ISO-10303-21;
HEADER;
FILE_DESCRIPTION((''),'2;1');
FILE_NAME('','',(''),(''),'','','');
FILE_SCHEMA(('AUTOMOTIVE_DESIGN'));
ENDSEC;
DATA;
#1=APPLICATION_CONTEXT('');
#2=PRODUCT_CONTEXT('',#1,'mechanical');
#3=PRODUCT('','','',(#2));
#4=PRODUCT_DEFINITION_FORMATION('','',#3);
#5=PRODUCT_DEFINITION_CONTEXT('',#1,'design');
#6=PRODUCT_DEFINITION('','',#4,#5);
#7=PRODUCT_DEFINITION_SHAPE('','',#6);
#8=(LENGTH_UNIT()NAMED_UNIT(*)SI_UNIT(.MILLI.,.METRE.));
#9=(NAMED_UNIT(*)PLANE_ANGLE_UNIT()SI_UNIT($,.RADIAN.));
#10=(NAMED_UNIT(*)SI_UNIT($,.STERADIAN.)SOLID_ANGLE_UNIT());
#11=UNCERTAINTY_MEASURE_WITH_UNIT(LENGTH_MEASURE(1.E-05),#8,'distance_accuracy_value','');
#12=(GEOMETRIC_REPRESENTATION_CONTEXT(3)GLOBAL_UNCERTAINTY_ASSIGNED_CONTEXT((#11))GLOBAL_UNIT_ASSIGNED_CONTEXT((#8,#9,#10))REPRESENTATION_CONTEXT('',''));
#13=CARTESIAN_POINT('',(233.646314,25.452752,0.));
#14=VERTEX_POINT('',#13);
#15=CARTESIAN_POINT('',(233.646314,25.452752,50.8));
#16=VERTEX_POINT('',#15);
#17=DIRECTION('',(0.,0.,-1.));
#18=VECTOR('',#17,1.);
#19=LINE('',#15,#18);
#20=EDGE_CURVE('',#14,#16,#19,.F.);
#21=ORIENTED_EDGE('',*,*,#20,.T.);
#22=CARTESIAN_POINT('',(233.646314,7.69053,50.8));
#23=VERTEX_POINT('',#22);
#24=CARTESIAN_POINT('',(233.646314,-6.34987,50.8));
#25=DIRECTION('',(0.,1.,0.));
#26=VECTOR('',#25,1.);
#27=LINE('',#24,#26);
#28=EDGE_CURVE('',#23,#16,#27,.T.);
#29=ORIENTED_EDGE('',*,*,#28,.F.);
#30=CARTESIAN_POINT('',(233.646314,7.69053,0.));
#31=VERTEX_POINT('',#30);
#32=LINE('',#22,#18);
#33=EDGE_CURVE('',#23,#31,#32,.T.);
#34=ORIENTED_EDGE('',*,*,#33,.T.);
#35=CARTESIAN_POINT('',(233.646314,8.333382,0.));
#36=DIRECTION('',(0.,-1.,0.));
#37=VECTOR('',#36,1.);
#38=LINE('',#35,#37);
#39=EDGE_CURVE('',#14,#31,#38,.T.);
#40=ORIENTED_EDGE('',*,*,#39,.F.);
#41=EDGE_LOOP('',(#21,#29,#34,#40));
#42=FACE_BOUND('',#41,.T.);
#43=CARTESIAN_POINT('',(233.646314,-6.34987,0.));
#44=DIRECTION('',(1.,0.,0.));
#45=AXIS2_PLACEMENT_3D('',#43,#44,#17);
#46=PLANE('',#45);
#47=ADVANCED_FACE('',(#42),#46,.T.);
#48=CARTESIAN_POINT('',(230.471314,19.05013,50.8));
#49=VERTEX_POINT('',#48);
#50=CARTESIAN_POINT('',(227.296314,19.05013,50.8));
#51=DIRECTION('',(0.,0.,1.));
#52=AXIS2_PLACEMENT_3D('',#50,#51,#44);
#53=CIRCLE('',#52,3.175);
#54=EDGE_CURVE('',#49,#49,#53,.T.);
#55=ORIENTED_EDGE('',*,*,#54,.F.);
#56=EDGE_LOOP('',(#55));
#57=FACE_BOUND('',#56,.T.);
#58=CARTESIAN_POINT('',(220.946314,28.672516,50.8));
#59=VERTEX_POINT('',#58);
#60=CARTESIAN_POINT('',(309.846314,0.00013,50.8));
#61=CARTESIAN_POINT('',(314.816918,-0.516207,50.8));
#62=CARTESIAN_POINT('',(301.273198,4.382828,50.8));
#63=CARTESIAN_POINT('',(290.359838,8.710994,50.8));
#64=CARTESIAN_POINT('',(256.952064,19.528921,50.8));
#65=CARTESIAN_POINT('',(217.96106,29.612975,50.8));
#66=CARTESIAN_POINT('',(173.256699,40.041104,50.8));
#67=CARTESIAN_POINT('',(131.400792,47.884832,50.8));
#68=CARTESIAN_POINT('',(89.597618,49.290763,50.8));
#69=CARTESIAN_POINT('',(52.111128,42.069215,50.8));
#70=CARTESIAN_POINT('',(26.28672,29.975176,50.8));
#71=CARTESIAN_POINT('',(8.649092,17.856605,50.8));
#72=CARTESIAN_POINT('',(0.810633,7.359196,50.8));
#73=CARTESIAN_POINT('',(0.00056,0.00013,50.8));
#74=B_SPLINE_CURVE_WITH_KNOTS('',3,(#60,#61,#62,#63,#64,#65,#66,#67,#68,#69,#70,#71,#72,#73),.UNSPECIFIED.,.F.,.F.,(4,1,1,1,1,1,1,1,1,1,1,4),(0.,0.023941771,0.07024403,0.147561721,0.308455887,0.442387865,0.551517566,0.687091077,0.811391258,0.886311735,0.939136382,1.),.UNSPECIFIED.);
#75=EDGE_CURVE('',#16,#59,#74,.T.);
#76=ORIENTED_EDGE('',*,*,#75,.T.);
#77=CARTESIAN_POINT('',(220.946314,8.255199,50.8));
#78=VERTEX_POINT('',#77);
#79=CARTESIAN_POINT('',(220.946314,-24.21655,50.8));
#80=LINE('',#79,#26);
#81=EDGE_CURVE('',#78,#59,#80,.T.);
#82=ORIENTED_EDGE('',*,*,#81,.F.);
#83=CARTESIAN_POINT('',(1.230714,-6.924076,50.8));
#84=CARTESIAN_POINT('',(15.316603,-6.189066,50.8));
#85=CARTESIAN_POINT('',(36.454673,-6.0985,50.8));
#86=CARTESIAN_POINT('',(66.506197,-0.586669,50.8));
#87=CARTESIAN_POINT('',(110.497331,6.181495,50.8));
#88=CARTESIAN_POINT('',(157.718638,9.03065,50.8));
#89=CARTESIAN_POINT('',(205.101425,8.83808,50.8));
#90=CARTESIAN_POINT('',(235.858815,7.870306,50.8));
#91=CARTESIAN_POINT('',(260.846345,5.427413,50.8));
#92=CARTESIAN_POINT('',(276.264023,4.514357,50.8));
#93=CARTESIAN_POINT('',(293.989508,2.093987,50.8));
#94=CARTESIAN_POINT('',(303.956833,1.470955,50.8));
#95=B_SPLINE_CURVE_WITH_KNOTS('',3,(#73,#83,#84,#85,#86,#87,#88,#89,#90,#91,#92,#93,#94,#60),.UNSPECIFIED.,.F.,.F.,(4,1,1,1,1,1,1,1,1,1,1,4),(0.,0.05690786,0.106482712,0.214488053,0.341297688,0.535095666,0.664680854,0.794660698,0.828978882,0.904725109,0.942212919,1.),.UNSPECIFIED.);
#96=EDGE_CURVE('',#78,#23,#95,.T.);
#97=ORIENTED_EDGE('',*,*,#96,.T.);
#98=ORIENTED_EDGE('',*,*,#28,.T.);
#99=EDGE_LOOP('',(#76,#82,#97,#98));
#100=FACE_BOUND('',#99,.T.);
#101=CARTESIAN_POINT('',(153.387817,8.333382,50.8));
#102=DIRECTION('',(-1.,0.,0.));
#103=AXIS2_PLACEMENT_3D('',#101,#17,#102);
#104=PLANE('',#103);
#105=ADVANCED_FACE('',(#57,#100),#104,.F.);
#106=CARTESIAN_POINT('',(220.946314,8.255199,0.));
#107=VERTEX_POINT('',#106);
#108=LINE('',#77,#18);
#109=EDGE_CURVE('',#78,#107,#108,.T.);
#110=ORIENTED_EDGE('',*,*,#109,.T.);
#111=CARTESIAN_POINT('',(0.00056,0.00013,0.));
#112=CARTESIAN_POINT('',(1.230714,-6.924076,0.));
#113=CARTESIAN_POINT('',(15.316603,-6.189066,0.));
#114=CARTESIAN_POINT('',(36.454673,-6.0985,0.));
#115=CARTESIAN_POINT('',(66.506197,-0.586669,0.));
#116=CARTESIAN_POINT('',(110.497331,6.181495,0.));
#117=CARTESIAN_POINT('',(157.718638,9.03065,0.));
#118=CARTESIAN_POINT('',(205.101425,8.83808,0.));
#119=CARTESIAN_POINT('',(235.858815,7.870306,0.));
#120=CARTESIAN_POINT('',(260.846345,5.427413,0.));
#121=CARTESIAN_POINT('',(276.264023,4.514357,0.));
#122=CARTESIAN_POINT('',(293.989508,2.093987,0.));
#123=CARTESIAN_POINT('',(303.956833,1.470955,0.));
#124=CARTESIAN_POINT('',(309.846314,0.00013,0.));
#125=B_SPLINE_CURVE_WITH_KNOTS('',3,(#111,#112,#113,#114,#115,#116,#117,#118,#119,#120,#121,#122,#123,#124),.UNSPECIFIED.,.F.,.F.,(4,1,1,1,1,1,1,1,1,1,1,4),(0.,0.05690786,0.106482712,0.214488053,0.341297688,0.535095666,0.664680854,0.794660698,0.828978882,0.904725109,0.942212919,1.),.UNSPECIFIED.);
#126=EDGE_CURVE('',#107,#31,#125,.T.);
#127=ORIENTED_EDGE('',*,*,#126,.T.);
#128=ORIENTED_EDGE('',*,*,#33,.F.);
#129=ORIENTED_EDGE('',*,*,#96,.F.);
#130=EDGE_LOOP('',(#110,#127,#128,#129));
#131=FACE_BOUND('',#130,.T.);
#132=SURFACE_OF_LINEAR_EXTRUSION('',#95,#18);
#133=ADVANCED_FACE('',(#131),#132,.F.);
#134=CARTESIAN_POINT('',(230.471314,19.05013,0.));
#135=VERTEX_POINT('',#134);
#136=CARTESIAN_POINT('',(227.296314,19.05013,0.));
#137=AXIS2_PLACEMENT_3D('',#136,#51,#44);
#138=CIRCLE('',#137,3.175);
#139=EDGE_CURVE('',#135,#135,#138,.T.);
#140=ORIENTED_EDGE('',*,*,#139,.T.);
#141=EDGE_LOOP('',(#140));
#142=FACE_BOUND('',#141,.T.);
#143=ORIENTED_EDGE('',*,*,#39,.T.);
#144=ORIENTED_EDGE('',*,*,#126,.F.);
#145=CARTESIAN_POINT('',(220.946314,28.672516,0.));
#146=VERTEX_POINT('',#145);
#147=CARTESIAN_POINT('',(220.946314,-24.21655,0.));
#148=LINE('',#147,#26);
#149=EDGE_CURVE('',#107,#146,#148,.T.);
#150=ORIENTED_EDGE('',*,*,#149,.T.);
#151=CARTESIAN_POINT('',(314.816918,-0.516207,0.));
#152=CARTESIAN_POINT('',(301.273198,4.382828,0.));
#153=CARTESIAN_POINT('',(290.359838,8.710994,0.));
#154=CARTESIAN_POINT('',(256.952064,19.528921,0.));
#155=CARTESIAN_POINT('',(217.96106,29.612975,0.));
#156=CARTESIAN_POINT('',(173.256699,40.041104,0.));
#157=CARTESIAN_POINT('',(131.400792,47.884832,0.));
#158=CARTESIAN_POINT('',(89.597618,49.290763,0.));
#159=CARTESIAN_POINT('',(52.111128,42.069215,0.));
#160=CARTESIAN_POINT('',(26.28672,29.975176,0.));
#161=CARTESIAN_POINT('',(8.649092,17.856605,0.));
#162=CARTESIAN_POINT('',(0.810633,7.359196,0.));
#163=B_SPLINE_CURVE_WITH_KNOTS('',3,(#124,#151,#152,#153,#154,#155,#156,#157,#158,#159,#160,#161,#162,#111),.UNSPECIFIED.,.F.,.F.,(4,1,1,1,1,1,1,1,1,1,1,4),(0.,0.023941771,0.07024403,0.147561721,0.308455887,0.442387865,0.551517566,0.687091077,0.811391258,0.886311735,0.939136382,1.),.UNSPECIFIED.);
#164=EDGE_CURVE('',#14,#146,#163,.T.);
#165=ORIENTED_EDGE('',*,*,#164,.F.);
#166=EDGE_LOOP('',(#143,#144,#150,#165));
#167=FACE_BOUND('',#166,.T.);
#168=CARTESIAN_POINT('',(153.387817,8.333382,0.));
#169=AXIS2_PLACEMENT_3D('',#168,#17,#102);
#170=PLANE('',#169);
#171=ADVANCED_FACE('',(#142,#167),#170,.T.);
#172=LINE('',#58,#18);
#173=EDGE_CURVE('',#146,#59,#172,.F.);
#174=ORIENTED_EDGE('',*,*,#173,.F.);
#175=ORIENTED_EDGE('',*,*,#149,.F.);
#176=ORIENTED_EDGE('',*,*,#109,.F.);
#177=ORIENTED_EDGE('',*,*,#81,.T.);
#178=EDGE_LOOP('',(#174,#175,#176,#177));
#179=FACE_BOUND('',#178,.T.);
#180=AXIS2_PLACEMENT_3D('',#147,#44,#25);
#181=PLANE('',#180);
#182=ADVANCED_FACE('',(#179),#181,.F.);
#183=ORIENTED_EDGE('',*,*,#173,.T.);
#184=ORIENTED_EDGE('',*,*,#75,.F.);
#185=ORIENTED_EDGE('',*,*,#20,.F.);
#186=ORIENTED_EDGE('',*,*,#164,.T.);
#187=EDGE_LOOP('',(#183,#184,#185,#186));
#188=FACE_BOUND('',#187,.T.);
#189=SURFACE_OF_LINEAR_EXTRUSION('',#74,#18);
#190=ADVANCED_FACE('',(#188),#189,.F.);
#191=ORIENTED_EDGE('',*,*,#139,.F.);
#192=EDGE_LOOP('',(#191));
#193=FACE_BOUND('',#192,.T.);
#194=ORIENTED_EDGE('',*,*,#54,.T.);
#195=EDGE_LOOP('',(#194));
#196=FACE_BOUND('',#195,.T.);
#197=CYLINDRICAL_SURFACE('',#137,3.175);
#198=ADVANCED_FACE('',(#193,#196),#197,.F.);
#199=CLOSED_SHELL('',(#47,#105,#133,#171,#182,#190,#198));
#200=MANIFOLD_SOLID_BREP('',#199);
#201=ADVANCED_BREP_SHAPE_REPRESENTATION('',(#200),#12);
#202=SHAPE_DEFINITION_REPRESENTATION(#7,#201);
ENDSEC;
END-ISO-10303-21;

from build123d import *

# Parameters (mm, degrees)
BOSS_EXTRUDE1_DEPTH = 50.8
SKETCH2_R           = 6.35
SKETCH2_R_2         = 3.175
CUT_EXTRUDE1_DEPTH  = 320.788688435
SKETCH3_W           = 116.84
SKETCH3_H           = 50.8
CUT_EXTRUDE2_DEPTH  = 320.788688435
SKETCH4_W           = 250.150530068
SKETCH4_H           = 117.489254048
CUT_EXTRUDE3_DEPTH  = 244.924275514


with BuildPart() as part:
    # Sketch1 → Boss-Extrude1 (new body)
    with BuildSketch(Plane.XY):
        with BuildLine():
            add(Edge.make_bspline(
                [(0.000560351, 0.000130087), (0.810633127, 7.359196055), (8.649092025, 17.856605174), (26.286719818, 29.975176328), (52.111128271, 42.069215275), (89.597618475, 49.290763054), (131.400792109, 47.884831915), (173.256699242, 40.041104278), (217.961060472, 29.612974894), (256.952064401, 19.528920948), (290.35983767, 8.71099439), (301.273197721, 4.382828139), (314.816918223, -0.516206742), (309.846313895, 0.000130087)],
                knots=[0, 0, 0, 0, 0.060863618, 0.113688265, 0.188608742, 0.312908923, 0.448482434, 0.557612135, 0.691544113, 0.852438279, 0.92975597, 0.976058229, 1, 1, 1, 1], degree=3))
            add(Edge.make_bspline(
                [(309.846313895, 0.000130087), (303.956832565, 1.47095521), (293.989507544, 2.093987313), (276.26402299, 4.514356704), (260.846344817, 5.427413394), (235.858814759, 7.870306192), (205.101424636, 8.838080282), (157.718638092, 9.030650149), (110.497331172, 6.181495223), (66.506197185, -0.586669107), (36.454672816, -6.098499901), (15.316603331, -6.189065841), (1.230714189, -6.924076091), (0.000560351, 0.000130087)],
                knots=[0, 0, 0, 0, 0.057787081, 0.095274891, 0.171021118, 0.205339302, 0.335319146, 0.464904334, 0.658702312, 0.785511947, 0.893517288, 0.94309214, 1, 1, 1, 1], degree=3))
        make_face()
    extrude(amount=BOSS_EXTRUDE1_DEPTH)

    # Sketch2 → Cut-Extrude1 (cut, through all)
    with BuildSketch(Plane.XY.offset(50.8)):
        with Locations((20.32, 10.16)):
            Circle(SKETCH2_R)
        with Locations((227.296313895, 19.050130087)):
            Circle(SKETCH2_R_2)
    extrude(amount=-CUT_EXTRUDE1_DEPTH, mode=Mode.SUBTRACT)

    # Sketch3 → Cut-Extrude2 (cut, through all)
    with BuildSketch(Plane.XY.offset(50.8)):
        with Locations((292.066313895, 19.050130087)):
            Rectangle(SKETCH3_W, SKETCH3_H)
    extrude(amount=-CUT_EXTRUDE2_DEPTH, mode=Mode.SUBTRACT)

    # Sketch4 → Cut-Extrude3 (cut, through all)
    with BuildSketch(Plane.XY.offset(50.8)):
        with Locations((95.871048861, 34.528076629)):
            Rectangle(SKETCH4_W, SKETCH4_H)
    extrude(amount=-CUT_EXTRUDE3_DEPTH, mode=Mode.SUBTRACT)


solid = part.part
